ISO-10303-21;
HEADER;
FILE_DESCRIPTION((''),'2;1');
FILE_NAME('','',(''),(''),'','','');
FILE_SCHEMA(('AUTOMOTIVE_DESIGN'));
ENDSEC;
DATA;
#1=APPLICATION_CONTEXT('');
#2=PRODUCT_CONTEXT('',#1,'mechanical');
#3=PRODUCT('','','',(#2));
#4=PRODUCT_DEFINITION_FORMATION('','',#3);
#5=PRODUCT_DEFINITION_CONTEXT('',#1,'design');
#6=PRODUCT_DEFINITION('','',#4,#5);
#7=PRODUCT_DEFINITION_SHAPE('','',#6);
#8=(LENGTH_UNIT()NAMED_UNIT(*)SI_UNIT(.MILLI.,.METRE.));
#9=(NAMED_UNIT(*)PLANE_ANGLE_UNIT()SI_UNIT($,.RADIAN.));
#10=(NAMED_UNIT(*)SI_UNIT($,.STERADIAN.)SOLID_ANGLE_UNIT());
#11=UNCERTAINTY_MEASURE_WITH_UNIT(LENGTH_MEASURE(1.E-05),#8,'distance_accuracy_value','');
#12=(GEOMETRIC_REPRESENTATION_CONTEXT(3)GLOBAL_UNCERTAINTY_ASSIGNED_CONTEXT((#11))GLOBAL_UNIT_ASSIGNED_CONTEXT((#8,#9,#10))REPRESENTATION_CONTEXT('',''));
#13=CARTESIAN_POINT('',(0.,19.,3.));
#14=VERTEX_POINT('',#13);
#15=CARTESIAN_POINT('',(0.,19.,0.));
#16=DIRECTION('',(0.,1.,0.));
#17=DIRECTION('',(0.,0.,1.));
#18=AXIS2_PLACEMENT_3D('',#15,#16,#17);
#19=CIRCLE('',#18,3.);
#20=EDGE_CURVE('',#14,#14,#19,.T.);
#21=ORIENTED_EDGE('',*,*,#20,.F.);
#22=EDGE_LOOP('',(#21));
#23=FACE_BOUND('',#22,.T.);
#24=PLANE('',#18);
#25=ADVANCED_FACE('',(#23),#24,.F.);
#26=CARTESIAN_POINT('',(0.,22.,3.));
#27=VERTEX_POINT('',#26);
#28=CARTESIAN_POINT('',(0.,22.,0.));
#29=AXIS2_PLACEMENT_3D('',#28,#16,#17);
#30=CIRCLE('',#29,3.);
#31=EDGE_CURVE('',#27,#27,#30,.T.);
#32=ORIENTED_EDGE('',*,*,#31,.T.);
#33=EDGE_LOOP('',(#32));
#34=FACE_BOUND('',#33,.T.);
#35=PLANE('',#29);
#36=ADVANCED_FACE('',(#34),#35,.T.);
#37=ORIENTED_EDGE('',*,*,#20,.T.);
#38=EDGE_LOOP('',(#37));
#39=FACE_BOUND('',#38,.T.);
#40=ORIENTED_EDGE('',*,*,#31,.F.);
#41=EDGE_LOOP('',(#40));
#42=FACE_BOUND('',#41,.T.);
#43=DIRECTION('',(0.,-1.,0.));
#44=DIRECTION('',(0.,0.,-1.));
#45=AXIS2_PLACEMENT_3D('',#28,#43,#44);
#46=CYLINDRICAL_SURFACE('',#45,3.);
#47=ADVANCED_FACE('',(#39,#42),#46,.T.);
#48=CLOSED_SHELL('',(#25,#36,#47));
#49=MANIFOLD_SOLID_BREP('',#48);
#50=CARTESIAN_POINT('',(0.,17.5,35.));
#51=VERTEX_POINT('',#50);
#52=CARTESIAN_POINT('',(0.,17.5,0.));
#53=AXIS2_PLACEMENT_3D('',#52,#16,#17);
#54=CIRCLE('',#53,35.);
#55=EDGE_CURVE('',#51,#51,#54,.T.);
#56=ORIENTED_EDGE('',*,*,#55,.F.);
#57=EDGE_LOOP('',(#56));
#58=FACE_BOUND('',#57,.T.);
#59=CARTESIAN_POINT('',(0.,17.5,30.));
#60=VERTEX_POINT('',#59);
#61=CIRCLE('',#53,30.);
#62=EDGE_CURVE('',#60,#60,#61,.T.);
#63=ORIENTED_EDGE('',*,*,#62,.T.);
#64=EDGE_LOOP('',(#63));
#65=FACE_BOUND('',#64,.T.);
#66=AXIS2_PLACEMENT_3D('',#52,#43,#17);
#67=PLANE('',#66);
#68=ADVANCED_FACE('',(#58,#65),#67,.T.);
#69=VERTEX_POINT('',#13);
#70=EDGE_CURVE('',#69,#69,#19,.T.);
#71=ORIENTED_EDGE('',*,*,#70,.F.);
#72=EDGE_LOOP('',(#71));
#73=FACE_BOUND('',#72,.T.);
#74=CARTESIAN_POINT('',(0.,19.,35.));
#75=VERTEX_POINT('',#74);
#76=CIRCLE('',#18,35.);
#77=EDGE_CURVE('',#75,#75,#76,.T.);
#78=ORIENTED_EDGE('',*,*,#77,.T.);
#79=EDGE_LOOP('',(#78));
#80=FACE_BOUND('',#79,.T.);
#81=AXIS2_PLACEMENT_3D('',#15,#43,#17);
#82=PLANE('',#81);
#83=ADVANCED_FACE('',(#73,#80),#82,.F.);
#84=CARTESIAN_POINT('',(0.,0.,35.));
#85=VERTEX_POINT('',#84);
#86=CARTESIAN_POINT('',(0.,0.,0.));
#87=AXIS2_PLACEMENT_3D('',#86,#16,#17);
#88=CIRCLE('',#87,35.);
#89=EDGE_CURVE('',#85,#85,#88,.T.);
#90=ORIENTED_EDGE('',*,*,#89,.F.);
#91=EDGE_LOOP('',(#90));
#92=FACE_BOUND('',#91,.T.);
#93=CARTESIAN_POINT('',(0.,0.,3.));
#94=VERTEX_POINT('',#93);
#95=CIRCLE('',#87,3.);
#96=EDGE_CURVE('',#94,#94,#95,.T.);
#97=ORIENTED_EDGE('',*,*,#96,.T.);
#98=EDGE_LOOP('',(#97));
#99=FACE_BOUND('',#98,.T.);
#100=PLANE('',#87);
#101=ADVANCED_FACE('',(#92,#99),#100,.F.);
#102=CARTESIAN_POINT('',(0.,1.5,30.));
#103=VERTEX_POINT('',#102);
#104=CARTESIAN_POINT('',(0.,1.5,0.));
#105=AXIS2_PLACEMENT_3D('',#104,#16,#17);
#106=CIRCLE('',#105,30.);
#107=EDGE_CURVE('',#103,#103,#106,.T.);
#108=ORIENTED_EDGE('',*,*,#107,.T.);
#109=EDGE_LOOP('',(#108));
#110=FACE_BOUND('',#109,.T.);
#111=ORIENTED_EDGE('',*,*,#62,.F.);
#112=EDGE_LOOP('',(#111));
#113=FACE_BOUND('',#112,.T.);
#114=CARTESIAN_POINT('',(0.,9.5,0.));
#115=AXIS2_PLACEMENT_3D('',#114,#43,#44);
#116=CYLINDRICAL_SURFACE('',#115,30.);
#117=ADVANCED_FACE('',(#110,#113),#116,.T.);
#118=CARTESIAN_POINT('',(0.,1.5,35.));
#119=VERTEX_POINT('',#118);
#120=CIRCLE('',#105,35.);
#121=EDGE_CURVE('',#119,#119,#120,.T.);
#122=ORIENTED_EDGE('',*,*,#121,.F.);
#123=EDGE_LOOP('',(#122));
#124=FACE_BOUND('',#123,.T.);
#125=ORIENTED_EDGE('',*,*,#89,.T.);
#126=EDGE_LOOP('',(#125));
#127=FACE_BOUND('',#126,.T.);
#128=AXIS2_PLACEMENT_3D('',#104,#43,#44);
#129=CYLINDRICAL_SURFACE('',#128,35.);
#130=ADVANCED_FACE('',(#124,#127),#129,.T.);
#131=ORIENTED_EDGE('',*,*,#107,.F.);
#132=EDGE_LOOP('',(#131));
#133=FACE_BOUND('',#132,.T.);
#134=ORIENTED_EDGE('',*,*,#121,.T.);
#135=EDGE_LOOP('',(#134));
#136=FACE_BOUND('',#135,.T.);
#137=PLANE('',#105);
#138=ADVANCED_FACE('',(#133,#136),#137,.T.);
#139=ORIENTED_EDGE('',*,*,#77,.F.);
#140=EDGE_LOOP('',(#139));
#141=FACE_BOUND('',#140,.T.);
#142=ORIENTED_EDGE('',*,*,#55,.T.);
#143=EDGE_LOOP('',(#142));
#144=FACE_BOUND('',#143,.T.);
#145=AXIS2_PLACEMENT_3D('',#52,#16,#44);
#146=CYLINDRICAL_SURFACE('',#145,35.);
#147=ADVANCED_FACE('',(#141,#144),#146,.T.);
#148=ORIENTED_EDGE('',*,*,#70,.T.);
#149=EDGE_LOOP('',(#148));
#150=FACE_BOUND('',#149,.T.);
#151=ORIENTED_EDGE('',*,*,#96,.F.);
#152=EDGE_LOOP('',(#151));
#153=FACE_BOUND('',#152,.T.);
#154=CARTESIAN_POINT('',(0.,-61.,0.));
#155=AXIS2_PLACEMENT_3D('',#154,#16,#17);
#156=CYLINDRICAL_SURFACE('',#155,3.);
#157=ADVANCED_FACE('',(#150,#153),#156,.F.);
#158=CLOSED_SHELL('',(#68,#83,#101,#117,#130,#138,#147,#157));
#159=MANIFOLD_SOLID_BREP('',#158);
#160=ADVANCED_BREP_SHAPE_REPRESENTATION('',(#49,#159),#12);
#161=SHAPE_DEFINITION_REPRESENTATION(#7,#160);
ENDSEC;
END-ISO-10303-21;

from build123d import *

# Parameters (mm, degrees)
SKETCH1_R           = 35
BOSS_EXTRUDE1_DEPTH = 1.5
SKETCH2_R           = 30
BOSS_EXTRUDE3_DEPTH = 8
SKETCH3_R           = 3
CUT_EXTRUDE1_DEPTH  = 80
SKETCH6_R           = 3
BOSS_EXTRUDE5_DEPTH = 3


with BuildPart() as part:
    # Sketch1 → Boss-Extrude1 (new body)
    with BuildSketch(Plane(origin=(0, 0, 0), x_dir=(1, 0, 0), z_dir=(0, 1, 0))):
        Circle(SKETCH1_R)
    extrude(amount=BOSS_EXTRUDE1_DEPTH)

    # Sketch2 → Boss-Extrude3 (add)
    with BuildSketch(Plane(origin=(0, 1.5, 0), x_dir=(1, 0, 0), z_dir=(0, 1, 0))):
        Circle(SKETCH2_R)
    extrude(amount=BOSS_EXTRUDE3_DEPTH)

    # Mirror1: part across plane


with BuildPart() as part_1:
    add(part.part)
    add(part.part.mirror(Plane.ZX.offset(9.5)))

    # Sketch3 → Cut-Extrude1 (cut)
    with BuildSketch(Plane(origin=(0, 19, 0), x_dir=(1, 0, 0), z_dir=(0, 1, 0))):
        Circle(SKETCH3_R)
    extrude(amount=-CUT_EXTRUDE1_DEPTH, mode=Mode.SUBTRACT)


with BuildPart() as body_2:
    # Sketch6 → Boss-Extrude5 (new body)
    with BuildSketch(Plane(origin=(0, 19, 0), x_dir=(1, 0, 0), z_dir=(0, 1, 0))):
        Circle(SKETCH6_R)
    extrude(amount=BOSS_EXTRUDE5_DEPTH)


solid = Compound([part_1.part, body_2.part])
